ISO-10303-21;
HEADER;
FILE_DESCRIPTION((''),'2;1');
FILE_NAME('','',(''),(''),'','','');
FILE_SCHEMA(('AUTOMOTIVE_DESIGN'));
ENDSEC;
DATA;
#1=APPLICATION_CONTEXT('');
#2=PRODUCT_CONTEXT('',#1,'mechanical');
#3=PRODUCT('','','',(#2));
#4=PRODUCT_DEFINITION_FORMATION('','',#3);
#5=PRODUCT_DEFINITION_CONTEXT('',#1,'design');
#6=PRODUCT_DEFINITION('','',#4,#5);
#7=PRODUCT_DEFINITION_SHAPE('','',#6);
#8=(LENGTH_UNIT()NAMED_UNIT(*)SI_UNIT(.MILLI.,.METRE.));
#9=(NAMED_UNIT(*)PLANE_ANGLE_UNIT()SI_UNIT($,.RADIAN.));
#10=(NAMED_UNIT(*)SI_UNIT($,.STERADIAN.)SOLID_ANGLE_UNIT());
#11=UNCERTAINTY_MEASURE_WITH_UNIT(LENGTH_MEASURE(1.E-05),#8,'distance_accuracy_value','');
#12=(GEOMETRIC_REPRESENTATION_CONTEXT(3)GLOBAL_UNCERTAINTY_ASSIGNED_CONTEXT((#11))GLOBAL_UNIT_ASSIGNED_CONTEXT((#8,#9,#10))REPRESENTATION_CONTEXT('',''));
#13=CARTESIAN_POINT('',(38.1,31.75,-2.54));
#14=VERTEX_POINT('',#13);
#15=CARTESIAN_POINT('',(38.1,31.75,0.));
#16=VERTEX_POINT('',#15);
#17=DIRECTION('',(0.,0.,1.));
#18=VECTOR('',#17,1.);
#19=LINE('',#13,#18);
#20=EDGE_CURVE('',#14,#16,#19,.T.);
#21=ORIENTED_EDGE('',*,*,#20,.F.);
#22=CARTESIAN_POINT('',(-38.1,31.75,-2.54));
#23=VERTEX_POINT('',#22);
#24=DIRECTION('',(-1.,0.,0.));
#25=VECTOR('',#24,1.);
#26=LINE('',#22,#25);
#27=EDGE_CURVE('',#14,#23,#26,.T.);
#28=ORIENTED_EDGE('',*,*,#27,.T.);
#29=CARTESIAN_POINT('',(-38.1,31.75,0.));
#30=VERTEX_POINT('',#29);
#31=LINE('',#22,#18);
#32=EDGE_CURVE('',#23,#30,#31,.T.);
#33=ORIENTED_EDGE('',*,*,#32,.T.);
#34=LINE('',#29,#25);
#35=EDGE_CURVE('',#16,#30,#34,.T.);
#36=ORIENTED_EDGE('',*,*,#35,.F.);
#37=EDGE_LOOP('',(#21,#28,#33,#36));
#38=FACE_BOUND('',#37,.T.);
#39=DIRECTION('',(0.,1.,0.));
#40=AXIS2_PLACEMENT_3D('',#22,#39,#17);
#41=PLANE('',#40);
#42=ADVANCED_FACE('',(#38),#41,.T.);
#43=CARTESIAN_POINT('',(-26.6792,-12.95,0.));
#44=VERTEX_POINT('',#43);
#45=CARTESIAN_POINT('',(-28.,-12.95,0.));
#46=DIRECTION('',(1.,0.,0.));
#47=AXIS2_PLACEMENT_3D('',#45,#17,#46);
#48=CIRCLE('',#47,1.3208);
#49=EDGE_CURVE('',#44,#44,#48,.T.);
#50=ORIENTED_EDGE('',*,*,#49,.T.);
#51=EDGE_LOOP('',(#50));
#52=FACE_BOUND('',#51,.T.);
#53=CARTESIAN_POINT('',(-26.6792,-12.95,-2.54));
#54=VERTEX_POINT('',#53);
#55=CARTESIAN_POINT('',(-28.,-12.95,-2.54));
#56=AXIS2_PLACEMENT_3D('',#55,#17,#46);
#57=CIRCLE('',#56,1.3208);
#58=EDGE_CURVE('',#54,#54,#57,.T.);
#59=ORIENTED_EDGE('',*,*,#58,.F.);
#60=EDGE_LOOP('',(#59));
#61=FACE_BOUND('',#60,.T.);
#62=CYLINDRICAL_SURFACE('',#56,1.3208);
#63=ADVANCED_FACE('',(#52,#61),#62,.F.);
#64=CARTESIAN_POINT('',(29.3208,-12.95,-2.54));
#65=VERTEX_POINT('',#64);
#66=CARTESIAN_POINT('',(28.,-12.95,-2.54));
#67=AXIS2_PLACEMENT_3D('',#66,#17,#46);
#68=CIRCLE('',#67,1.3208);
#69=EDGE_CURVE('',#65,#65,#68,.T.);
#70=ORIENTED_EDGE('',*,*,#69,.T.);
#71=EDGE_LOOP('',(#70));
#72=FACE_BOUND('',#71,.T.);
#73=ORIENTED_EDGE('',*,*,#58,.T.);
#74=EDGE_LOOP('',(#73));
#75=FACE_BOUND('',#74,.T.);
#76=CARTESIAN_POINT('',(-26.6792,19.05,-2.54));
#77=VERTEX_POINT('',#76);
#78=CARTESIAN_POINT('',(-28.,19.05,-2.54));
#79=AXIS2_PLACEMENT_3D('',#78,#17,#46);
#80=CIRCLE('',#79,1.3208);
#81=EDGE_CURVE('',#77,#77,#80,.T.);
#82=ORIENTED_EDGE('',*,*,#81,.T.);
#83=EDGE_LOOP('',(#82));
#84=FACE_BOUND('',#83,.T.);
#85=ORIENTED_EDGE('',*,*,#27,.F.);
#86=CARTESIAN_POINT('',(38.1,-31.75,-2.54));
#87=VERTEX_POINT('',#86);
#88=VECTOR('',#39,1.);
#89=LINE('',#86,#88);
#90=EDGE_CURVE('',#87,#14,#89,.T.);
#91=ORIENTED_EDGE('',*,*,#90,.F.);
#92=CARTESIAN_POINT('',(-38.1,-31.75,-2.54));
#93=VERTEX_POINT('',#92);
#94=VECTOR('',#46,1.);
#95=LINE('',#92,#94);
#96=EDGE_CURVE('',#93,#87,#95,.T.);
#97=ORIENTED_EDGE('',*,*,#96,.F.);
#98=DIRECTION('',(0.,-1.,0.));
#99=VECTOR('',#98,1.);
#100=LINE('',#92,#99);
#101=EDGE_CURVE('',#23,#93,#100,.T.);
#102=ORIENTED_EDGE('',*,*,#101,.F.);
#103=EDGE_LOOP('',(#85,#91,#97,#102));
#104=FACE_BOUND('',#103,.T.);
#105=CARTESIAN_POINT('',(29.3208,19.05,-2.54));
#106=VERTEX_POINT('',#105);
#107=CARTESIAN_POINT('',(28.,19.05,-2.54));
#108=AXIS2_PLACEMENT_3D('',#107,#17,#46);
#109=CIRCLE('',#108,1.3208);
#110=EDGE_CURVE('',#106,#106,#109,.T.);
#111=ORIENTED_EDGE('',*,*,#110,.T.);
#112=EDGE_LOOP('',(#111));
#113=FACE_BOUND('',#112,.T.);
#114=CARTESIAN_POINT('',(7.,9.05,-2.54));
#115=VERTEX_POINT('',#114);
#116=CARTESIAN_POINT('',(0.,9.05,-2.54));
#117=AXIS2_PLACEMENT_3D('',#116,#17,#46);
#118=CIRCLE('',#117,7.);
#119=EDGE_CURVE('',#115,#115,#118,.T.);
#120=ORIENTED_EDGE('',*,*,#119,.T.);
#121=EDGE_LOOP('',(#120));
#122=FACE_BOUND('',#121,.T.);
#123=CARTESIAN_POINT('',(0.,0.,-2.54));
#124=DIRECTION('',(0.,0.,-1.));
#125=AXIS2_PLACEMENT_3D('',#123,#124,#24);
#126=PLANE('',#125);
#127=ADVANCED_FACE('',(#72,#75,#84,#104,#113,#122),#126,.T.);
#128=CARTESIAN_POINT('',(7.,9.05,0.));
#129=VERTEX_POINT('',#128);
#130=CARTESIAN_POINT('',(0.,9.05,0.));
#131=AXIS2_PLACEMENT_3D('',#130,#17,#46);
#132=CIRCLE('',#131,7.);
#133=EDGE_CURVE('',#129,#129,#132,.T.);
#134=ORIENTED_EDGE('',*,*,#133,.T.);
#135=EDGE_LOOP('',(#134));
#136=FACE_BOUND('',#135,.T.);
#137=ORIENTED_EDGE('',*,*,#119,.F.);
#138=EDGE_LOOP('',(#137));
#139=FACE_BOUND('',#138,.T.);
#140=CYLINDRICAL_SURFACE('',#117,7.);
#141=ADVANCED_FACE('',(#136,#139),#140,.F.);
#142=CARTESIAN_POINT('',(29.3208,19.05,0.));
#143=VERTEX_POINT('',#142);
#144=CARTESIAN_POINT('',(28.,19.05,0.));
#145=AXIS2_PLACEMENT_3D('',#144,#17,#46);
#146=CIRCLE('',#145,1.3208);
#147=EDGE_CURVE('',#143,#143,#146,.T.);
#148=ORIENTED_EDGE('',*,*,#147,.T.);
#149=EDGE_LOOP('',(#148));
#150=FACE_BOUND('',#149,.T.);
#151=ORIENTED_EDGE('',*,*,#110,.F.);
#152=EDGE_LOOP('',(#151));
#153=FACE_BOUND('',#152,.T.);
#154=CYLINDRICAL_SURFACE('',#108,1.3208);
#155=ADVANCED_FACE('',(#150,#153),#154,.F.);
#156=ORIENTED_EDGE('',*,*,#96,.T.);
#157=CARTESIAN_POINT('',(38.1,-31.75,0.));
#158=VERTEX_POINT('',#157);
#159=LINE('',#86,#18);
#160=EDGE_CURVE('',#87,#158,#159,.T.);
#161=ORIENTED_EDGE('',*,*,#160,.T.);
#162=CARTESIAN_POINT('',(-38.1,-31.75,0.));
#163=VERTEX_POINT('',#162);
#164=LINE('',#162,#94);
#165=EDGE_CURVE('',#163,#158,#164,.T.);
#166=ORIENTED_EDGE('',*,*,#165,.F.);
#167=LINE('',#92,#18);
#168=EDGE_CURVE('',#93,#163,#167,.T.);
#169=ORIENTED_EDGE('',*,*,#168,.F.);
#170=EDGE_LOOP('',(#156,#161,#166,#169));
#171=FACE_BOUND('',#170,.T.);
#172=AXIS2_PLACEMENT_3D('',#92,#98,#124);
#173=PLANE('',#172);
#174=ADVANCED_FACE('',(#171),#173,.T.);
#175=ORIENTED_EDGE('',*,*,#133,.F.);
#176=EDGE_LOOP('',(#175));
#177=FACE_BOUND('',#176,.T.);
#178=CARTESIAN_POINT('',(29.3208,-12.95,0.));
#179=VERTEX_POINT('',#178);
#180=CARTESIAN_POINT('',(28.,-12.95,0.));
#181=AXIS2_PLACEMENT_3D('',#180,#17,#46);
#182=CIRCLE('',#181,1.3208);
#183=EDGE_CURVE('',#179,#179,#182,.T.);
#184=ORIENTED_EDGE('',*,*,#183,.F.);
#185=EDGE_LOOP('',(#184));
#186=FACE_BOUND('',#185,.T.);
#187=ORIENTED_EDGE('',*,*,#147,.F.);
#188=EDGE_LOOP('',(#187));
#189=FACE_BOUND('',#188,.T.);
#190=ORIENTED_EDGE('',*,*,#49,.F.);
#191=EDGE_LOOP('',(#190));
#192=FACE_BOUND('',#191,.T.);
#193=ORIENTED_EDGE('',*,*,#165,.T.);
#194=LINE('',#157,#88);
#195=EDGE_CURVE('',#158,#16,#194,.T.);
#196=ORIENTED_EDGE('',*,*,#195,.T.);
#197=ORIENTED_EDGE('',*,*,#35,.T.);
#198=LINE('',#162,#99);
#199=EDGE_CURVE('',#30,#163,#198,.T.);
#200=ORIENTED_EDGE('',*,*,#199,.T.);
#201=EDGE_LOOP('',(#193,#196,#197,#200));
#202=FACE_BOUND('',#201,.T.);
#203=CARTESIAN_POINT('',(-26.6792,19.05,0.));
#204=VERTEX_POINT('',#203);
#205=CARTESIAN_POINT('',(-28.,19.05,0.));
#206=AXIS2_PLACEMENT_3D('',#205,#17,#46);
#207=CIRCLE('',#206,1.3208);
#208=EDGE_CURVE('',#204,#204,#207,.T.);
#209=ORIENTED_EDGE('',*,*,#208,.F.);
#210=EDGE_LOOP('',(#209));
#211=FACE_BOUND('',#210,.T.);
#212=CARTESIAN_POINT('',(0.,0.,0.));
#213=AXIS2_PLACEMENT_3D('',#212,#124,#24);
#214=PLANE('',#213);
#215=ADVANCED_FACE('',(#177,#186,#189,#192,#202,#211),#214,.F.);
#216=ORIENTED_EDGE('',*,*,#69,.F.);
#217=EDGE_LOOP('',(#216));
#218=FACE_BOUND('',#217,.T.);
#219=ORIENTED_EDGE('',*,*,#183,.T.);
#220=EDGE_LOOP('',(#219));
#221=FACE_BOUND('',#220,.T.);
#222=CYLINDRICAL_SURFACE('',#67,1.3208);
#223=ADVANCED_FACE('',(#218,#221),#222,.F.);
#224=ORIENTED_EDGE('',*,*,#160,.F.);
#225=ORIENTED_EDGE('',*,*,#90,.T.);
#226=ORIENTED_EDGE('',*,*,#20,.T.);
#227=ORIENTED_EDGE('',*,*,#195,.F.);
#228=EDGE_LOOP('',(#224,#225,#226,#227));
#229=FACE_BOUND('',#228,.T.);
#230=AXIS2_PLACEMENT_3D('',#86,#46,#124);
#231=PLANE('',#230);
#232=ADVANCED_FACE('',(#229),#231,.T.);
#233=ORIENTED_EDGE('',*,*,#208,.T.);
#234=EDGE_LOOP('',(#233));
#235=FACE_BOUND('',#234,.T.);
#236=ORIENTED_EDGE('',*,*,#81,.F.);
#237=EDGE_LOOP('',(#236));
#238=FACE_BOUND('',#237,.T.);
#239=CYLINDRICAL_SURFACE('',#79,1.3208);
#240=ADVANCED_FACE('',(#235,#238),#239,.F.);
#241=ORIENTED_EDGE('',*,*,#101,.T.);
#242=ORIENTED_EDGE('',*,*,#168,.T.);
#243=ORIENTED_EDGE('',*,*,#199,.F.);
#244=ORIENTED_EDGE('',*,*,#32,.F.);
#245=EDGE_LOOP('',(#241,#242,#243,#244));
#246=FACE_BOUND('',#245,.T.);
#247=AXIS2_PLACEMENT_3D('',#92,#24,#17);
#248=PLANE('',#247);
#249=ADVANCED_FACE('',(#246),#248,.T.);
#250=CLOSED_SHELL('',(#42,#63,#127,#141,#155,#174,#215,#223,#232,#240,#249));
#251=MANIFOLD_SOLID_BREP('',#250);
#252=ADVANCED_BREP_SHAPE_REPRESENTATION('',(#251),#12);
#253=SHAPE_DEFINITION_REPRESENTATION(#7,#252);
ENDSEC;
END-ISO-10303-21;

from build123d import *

# Parameters (mm, degrees)
SKETCH1_W           = 76.2
SKETCH1_H           = 63.5
SKETCH1_R           = 1.3208
SKETCH1_R_2         = 7
BOSS_EXTRUDE1_DEPTH = 2.54


with BuildPart() as part:
    # Sketch1 → Boss-Extrude1 (new body)
    with BuildSketch(Plane.XY):
        Rectangle(SKETCH1_W, SKETCH1_H)
        with Locations((-28, 19.05)):
            Circle(SKETCH1_R, mode=Mode.SUBTRACT)
        with Locations((28, 19.05)):
            Circle(SKETCH1_R, mode=Mode.SUBTRACT)
        with Locations((-28, -12.95)):
            Circle(SKETCH1_R, mode=Mode.SUBTRACT)
        with Locations((28, -12.95)):
            Circle(SKETCH1_R, mode=Mode.SUBTRACT)
        with Locations((0, 9.05)):
            Circle(SKETCH1_R_2, mode=Mode.SUBTRACT)
    extrude(amount=-BOSS_EXTRUDE1_DEPTH)


solid = part.part
